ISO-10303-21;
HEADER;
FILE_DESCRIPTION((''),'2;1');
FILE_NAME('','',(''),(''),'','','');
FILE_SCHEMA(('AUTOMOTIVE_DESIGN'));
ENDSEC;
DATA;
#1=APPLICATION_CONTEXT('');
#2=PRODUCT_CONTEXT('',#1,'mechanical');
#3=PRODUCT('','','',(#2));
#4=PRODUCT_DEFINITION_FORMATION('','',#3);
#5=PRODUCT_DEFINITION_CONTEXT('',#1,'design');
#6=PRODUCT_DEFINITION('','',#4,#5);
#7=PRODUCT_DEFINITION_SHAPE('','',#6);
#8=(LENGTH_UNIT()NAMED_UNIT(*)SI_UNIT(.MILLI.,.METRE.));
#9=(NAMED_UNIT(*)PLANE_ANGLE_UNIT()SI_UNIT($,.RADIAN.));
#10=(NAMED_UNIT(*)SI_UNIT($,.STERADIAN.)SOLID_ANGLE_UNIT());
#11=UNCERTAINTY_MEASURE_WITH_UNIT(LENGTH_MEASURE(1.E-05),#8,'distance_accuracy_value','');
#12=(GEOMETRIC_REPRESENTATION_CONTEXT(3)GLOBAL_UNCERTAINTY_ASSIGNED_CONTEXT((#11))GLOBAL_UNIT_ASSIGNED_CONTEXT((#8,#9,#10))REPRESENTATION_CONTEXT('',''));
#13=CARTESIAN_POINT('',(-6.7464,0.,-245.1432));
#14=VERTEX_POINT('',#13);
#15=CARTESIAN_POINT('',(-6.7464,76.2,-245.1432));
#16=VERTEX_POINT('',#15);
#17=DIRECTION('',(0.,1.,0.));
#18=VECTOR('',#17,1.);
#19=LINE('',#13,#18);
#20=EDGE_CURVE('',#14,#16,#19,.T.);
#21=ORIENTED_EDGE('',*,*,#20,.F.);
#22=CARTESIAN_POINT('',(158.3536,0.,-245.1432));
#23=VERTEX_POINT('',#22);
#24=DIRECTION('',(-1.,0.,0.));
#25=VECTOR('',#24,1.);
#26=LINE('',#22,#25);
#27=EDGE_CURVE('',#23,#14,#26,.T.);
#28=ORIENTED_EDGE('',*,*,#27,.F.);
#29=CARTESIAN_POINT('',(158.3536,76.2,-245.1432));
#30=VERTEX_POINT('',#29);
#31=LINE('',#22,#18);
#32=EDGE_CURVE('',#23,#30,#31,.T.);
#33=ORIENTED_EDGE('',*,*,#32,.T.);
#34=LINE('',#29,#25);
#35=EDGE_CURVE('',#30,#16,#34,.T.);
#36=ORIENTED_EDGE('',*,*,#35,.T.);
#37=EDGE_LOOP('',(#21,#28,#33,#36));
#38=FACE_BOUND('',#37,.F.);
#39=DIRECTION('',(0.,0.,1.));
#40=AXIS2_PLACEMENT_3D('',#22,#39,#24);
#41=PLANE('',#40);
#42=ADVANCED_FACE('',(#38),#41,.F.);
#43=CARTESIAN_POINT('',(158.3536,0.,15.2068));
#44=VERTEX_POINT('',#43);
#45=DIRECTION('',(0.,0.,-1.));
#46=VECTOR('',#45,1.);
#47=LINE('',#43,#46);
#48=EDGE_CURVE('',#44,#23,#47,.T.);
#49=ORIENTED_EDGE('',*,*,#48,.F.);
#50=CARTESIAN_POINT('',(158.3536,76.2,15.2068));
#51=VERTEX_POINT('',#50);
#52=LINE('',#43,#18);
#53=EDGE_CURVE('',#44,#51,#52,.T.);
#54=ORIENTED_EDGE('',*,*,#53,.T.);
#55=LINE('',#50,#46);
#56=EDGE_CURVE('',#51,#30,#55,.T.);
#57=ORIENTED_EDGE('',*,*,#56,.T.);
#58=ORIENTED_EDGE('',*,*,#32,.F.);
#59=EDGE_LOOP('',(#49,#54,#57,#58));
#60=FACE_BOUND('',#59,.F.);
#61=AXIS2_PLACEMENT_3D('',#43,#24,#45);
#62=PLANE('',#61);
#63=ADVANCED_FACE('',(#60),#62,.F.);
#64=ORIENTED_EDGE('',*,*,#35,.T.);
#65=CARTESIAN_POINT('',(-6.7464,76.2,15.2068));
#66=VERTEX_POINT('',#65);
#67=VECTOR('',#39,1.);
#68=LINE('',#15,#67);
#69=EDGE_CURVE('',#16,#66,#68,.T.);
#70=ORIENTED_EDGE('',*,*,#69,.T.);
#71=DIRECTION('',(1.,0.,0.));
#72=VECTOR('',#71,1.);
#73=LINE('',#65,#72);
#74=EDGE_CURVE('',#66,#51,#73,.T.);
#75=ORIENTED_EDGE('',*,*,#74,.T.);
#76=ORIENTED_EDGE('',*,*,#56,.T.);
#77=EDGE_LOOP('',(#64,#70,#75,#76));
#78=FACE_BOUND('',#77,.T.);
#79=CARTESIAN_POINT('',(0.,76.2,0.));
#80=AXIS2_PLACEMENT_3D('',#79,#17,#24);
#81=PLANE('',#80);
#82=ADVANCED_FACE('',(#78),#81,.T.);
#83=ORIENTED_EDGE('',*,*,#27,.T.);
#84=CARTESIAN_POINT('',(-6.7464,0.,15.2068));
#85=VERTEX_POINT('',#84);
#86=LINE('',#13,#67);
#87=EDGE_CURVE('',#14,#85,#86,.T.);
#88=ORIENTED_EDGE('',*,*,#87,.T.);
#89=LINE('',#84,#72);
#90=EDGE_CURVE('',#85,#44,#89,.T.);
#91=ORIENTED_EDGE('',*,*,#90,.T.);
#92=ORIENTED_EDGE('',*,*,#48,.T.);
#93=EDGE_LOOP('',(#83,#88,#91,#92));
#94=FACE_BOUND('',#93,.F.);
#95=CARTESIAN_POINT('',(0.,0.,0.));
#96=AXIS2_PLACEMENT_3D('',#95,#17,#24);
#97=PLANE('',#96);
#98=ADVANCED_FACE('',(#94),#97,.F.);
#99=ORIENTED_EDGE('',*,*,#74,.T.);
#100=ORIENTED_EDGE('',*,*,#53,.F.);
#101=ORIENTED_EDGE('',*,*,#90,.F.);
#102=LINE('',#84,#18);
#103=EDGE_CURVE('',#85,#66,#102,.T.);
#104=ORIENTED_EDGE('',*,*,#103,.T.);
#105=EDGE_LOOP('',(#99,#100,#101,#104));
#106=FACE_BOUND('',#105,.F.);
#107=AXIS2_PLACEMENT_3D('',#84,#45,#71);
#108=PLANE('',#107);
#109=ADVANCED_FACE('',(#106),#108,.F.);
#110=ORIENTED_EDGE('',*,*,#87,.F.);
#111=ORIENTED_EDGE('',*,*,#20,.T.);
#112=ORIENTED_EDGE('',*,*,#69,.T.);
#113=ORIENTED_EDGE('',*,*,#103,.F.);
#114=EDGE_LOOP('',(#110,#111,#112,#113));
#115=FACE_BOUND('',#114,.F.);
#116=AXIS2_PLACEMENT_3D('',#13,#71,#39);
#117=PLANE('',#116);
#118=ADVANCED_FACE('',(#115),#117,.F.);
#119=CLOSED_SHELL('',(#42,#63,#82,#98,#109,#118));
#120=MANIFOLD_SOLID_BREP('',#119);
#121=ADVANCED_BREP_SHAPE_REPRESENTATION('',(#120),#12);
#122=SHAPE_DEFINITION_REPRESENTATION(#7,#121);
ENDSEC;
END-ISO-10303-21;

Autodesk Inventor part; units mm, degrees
ref_plane "YZ Plane" through (0, 0, 0) normal (1, 0, 0) x (0, 1, 0)
ref_plane "XZ Plane" through (0, 0, 0) normal (0, 1, 0) x (-1, 0, 0)
ref_plane "XY Plane" through (0, 0, 0) normal (0, 0, 1) x (1, 0, 0)
sketch "Sketch1" plane through (0, 0, 0) normal (0, 1, 0) x (-1, 0, 0)
  line L0 (6.7464, 15.2068) -> (-158.3536, 15.2068)
  line L1 (-158.3536, 15.2068) -> (-158.3536, -245.1432)
  line L2 (-158.3536, -245.1432) -> (6.7464, -245.1432)
  line L3 (6.7464, -245.1432) -> (6.7464, 15.2068)
  point P0 (0, 0)
  dimension "d0" = 165.1
  dimension "d1" = 260.35
extrude "Extrusion1" add sketch "Sketch1" along normal blind 76.2
properties part number "Battery Charger Repreentation"
